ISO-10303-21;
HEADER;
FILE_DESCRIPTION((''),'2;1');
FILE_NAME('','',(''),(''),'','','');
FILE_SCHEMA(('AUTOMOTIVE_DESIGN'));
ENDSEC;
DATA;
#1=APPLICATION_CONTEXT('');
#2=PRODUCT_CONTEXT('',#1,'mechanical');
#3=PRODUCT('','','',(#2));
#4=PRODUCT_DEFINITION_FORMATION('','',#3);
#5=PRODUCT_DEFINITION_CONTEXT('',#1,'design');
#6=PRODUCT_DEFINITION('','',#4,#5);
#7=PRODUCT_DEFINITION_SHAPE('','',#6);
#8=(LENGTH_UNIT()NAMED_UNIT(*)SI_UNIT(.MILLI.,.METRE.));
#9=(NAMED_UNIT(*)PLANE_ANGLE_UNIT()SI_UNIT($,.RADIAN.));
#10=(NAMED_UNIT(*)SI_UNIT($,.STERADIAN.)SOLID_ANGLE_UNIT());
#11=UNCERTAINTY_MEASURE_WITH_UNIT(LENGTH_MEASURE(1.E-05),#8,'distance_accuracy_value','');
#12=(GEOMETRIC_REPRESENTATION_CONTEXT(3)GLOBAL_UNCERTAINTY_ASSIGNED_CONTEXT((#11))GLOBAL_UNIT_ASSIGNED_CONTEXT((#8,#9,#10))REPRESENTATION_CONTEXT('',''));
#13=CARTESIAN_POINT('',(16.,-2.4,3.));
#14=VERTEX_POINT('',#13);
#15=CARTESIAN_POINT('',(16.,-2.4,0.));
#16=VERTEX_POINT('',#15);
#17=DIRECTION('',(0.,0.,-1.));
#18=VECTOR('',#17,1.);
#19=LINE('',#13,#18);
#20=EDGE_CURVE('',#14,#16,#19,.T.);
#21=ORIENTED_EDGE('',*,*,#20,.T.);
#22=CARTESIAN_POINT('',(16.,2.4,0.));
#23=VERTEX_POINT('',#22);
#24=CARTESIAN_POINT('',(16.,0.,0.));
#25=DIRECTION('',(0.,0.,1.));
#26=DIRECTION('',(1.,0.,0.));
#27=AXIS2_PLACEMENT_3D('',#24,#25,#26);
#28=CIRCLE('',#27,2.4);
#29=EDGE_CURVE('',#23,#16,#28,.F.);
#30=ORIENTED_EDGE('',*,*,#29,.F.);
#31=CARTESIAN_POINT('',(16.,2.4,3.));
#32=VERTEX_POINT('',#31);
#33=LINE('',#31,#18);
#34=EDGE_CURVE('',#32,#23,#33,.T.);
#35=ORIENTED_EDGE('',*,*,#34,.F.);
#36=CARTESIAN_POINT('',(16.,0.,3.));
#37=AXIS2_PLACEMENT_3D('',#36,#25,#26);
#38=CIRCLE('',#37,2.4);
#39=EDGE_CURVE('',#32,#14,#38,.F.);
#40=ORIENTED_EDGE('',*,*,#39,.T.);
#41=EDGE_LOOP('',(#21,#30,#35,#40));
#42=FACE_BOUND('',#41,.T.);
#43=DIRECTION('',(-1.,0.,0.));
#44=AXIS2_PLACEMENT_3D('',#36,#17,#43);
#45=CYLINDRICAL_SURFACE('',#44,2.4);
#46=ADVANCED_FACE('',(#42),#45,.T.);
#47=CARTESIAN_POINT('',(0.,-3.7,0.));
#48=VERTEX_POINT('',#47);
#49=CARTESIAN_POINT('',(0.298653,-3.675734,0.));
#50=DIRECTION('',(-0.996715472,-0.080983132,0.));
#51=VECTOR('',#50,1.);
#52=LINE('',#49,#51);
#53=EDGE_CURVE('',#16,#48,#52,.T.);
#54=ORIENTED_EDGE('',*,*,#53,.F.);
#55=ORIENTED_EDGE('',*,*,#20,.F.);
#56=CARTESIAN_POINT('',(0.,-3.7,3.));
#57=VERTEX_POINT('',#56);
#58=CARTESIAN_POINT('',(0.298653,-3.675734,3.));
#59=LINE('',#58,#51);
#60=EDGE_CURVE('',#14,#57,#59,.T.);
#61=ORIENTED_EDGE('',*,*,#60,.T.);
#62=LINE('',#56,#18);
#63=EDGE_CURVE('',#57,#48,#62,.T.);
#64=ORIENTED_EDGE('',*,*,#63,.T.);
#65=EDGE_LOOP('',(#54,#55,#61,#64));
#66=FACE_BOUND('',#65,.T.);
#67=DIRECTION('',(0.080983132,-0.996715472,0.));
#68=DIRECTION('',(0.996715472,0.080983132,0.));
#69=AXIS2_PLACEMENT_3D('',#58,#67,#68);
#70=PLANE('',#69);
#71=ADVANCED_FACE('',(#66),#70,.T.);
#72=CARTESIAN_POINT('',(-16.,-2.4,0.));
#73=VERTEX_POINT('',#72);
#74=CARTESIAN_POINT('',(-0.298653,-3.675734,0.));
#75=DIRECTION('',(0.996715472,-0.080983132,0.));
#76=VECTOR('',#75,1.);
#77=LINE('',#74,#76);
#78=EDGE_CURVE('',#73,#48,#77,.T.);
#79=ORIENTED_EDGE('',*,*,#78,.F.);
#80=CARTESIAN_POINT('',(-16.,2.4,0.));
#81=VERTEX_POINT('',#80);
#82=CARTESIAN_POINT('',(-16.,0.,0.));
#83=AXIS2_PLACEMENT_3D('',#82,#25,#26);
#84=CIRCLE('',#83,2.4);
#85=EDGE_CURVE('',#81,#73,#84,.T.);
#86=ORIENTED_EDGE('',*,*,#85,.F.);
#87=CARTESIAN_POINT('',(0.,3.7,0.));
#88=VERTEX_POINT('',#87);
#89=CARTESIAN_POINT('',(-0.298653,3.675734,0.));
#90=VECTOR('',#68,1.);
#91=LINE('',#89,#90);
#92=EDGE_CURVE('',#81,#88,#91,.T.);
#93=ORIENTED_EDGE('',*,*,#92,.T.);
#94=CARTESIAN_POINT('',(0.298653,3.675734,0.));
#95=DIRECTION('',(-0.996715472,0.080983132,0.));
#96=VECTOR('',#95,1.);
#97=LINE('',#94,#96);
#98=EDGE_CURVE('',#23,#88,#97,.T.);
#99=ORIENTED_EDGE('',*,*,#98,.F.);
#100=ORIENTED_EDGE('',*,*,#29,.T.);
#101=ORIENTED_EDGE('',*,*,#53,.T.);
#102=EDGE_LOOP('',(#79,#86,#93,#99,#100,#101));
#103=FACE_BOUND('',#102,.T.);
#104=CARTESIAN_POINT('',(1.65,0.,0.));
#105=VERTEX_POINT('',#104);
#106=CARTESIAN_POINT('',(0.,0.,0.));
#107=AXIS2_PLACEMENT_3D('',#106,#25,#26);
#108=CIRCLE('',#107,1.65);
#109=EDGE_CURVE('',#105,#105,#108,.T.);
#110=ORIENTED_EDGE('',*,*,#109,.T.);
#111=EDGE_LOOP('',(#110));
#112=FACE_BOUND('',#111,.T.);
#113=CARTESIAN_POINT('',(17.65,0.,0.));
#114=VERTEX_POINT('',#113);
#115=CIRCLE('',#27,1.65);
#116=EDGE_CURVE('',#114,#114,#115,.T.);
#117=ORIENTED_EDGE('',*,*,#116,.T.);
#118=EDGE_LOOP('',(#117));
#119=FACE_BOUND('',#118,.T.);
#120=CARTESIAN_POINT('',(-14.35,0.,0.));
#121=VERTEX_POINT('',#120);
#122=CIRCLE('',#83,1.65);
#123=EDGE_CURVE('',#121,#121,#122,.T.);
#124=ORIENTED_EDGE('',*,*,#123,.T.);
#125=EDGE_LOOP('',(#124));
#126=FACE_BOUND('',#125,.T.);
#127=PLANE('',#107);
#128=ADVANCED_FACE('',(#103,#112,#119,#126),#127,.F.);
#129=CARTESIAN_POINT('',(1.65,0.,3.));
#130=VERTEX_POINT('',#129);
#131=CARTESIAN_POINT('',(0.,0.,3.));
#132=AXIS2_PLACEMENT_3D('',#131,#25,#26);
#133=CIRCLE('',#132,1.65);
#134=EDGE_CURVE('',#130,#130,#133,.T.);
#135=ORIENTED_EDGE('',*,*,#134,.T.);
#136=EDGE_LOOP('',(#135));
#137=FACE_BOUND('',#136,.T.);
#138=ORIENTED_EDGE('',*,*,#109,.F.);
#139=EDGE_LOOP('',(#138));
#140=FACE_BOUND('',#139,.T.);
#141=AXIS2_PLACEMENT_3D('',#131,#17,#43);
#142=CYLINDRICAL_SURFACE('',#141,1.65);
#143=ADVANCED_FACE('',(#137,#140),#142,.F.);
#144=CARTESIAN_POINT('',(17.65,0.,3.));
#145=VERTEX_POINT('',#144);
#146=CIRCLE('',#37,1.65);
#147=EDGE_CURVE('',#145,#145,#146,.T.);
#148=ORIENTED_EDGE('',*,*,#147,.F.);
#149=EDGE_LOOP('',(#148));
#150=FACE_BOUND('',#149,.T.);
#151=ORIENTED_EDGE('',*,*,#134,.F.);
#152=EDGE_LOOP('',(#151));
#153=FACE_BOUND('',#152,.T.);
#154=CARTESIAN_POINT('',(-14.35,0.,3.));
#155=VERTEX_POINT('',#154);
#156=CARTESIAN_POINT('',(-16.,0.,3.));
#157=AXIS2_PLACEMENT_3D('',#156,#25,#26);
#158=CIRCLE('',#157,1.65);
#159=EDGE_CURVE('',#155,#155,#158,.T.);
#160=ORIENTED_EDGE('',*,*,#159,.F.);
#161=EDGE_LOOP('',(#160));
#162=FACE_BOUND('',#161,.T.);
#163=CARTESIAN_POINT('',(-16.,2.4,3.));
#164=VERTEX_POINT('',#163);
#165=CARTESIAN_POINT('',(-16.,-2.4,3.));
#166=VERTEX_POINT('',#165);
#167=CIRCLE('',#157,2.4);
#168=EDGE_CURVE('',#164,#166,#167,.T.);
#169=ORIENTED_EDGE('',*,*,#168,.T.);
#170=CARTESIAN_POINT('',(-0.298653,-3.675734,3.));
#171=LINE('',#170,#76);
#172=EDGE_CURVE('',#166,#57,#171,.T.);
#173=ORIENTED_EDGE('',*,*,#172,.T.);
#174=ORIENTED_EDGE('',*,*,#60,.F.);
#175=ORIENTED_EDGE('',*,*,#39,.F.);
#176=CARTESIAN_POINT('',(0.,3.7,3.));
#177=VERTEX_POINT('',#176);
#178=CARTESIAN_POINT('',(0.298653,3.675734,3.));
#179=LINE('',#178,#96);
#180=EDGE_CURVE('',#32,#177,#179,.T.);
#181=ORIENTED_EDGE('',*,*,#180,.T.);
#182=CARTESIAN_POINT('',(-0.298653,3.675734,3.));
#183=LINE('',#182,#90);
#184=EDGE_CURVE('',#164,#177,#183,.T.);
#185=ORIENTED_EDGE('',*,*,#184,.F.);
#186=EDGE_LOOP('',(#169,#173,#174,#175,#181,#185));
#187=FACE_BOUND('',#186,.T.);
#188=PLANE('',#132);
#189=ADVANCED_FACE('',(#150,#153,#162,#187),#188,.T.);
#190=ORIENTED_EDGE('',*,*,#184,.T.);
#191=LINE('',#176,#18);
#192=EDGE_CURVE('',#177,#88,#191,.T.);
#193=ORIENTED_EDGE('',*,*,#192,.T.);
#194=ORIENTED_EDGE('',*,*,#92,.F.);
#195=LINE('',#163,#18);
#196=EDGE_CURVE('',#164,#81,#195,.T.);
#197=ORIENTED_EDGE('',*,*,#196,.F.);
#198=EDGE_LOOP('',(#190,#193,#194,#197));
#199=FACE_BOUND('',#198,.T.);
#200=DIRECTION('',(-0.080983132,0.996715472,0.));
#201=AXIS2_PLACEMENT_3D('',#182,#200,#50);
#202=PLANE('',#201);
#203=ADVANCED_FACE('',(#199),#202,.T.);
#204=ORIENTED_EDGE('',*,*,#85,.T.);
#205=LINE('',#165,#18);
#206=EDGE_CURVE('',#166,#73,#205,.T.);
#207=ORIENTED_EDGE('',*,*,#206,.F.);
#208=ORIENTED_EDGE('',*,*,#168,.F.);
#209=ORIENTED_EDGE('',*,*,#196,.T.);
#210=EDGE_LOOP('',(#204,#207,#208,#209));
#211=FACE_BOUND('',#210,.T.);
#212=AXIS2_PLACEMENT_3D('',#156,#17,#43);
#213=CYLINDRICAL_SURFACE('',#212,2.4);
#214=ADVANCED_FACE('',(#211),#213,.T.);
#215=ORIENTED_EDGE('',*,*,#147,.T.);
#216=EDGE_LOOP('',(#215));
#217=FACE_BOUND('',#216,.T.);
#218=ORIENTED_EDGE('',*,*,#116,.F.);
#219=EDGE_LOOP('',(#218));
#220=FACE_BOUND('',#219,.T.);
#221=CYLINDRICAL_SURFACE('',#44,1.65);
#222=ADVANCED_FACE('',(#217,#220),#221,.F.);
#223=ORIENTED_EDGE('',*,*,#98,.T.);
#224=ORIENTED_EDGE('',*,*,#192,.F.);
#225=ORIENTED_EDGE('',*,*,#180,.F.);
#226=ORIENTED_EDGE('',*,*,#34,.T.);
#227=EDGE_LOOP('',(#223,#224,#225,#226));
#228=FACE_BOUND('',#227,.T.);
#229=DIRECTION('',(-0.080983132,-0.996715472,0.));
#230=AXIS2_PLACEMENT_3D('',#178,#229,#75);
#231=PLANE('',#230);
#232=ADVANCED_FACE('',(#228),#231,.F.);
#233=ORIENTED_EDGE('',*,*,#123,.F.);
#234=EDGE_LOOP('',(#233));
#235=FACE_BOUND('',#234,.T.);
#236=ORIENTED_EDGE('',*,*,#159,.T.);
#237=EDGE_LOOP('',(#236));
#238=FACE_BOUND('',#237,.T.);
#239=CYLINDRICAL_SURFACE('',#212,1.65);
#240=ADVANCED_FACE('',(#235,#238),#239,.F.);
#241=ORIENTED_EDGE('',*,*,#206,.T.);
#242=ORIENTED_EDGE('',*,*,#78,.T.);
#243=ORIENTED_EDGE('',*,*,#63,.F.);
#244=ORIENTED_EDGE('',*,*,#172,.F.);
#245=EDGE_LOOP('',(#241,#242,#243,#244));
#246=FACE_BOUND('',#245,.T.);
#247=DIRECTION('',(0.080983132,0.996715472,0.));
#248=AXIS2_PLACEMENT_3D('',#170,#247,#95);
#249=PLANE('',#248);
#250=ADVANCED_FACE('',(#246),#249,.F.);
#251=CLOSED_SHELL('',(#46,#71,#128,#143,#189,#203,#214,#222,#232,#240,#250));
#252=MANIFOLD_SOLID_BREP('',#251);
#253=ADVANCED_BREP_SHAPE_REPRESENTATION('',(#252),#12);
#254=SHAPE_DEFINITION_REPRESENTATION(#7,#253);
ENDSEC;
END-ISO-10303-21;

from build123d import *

# Parameters (mm, degrees)
SKETCH_1_R      = 1.65
EXTRUDE_1_DEPTH = 3


with BuildPart() as part:
    # 草图1 → 凸台-拉伸1 (new body)
    with BuildSketch(Plane.XY):
        with BuildLine():
            ThreePointArc((-16, 2.4), (-18.4, 0), (-16, -2.4))
            Line((-16, -2.4), (0, -3.7))
            Line((0, -3.7), (16, -2.4))
            ThreePointArc((16, -2.4), (18.4, 0), (16, 2.4))
            Line((16, 2.4), (0, 3.7))
            Line((0, 3.7), (-16, 2.4))
        make_face()
        with Locations((-16, 0)):
            Circle(SKETCH_1_R, mode=Mode.SUBTRACT)
        Circle(SKETCH_1_R, mode=Mode.SUBTRACT)
        with Locations((16, 0)):
            Circle(SKETCH_1_R, mode=Mode.SUBTRACT)
    extrude(amount=EXTRUDE_1_DEPTH)


solid = part.part
